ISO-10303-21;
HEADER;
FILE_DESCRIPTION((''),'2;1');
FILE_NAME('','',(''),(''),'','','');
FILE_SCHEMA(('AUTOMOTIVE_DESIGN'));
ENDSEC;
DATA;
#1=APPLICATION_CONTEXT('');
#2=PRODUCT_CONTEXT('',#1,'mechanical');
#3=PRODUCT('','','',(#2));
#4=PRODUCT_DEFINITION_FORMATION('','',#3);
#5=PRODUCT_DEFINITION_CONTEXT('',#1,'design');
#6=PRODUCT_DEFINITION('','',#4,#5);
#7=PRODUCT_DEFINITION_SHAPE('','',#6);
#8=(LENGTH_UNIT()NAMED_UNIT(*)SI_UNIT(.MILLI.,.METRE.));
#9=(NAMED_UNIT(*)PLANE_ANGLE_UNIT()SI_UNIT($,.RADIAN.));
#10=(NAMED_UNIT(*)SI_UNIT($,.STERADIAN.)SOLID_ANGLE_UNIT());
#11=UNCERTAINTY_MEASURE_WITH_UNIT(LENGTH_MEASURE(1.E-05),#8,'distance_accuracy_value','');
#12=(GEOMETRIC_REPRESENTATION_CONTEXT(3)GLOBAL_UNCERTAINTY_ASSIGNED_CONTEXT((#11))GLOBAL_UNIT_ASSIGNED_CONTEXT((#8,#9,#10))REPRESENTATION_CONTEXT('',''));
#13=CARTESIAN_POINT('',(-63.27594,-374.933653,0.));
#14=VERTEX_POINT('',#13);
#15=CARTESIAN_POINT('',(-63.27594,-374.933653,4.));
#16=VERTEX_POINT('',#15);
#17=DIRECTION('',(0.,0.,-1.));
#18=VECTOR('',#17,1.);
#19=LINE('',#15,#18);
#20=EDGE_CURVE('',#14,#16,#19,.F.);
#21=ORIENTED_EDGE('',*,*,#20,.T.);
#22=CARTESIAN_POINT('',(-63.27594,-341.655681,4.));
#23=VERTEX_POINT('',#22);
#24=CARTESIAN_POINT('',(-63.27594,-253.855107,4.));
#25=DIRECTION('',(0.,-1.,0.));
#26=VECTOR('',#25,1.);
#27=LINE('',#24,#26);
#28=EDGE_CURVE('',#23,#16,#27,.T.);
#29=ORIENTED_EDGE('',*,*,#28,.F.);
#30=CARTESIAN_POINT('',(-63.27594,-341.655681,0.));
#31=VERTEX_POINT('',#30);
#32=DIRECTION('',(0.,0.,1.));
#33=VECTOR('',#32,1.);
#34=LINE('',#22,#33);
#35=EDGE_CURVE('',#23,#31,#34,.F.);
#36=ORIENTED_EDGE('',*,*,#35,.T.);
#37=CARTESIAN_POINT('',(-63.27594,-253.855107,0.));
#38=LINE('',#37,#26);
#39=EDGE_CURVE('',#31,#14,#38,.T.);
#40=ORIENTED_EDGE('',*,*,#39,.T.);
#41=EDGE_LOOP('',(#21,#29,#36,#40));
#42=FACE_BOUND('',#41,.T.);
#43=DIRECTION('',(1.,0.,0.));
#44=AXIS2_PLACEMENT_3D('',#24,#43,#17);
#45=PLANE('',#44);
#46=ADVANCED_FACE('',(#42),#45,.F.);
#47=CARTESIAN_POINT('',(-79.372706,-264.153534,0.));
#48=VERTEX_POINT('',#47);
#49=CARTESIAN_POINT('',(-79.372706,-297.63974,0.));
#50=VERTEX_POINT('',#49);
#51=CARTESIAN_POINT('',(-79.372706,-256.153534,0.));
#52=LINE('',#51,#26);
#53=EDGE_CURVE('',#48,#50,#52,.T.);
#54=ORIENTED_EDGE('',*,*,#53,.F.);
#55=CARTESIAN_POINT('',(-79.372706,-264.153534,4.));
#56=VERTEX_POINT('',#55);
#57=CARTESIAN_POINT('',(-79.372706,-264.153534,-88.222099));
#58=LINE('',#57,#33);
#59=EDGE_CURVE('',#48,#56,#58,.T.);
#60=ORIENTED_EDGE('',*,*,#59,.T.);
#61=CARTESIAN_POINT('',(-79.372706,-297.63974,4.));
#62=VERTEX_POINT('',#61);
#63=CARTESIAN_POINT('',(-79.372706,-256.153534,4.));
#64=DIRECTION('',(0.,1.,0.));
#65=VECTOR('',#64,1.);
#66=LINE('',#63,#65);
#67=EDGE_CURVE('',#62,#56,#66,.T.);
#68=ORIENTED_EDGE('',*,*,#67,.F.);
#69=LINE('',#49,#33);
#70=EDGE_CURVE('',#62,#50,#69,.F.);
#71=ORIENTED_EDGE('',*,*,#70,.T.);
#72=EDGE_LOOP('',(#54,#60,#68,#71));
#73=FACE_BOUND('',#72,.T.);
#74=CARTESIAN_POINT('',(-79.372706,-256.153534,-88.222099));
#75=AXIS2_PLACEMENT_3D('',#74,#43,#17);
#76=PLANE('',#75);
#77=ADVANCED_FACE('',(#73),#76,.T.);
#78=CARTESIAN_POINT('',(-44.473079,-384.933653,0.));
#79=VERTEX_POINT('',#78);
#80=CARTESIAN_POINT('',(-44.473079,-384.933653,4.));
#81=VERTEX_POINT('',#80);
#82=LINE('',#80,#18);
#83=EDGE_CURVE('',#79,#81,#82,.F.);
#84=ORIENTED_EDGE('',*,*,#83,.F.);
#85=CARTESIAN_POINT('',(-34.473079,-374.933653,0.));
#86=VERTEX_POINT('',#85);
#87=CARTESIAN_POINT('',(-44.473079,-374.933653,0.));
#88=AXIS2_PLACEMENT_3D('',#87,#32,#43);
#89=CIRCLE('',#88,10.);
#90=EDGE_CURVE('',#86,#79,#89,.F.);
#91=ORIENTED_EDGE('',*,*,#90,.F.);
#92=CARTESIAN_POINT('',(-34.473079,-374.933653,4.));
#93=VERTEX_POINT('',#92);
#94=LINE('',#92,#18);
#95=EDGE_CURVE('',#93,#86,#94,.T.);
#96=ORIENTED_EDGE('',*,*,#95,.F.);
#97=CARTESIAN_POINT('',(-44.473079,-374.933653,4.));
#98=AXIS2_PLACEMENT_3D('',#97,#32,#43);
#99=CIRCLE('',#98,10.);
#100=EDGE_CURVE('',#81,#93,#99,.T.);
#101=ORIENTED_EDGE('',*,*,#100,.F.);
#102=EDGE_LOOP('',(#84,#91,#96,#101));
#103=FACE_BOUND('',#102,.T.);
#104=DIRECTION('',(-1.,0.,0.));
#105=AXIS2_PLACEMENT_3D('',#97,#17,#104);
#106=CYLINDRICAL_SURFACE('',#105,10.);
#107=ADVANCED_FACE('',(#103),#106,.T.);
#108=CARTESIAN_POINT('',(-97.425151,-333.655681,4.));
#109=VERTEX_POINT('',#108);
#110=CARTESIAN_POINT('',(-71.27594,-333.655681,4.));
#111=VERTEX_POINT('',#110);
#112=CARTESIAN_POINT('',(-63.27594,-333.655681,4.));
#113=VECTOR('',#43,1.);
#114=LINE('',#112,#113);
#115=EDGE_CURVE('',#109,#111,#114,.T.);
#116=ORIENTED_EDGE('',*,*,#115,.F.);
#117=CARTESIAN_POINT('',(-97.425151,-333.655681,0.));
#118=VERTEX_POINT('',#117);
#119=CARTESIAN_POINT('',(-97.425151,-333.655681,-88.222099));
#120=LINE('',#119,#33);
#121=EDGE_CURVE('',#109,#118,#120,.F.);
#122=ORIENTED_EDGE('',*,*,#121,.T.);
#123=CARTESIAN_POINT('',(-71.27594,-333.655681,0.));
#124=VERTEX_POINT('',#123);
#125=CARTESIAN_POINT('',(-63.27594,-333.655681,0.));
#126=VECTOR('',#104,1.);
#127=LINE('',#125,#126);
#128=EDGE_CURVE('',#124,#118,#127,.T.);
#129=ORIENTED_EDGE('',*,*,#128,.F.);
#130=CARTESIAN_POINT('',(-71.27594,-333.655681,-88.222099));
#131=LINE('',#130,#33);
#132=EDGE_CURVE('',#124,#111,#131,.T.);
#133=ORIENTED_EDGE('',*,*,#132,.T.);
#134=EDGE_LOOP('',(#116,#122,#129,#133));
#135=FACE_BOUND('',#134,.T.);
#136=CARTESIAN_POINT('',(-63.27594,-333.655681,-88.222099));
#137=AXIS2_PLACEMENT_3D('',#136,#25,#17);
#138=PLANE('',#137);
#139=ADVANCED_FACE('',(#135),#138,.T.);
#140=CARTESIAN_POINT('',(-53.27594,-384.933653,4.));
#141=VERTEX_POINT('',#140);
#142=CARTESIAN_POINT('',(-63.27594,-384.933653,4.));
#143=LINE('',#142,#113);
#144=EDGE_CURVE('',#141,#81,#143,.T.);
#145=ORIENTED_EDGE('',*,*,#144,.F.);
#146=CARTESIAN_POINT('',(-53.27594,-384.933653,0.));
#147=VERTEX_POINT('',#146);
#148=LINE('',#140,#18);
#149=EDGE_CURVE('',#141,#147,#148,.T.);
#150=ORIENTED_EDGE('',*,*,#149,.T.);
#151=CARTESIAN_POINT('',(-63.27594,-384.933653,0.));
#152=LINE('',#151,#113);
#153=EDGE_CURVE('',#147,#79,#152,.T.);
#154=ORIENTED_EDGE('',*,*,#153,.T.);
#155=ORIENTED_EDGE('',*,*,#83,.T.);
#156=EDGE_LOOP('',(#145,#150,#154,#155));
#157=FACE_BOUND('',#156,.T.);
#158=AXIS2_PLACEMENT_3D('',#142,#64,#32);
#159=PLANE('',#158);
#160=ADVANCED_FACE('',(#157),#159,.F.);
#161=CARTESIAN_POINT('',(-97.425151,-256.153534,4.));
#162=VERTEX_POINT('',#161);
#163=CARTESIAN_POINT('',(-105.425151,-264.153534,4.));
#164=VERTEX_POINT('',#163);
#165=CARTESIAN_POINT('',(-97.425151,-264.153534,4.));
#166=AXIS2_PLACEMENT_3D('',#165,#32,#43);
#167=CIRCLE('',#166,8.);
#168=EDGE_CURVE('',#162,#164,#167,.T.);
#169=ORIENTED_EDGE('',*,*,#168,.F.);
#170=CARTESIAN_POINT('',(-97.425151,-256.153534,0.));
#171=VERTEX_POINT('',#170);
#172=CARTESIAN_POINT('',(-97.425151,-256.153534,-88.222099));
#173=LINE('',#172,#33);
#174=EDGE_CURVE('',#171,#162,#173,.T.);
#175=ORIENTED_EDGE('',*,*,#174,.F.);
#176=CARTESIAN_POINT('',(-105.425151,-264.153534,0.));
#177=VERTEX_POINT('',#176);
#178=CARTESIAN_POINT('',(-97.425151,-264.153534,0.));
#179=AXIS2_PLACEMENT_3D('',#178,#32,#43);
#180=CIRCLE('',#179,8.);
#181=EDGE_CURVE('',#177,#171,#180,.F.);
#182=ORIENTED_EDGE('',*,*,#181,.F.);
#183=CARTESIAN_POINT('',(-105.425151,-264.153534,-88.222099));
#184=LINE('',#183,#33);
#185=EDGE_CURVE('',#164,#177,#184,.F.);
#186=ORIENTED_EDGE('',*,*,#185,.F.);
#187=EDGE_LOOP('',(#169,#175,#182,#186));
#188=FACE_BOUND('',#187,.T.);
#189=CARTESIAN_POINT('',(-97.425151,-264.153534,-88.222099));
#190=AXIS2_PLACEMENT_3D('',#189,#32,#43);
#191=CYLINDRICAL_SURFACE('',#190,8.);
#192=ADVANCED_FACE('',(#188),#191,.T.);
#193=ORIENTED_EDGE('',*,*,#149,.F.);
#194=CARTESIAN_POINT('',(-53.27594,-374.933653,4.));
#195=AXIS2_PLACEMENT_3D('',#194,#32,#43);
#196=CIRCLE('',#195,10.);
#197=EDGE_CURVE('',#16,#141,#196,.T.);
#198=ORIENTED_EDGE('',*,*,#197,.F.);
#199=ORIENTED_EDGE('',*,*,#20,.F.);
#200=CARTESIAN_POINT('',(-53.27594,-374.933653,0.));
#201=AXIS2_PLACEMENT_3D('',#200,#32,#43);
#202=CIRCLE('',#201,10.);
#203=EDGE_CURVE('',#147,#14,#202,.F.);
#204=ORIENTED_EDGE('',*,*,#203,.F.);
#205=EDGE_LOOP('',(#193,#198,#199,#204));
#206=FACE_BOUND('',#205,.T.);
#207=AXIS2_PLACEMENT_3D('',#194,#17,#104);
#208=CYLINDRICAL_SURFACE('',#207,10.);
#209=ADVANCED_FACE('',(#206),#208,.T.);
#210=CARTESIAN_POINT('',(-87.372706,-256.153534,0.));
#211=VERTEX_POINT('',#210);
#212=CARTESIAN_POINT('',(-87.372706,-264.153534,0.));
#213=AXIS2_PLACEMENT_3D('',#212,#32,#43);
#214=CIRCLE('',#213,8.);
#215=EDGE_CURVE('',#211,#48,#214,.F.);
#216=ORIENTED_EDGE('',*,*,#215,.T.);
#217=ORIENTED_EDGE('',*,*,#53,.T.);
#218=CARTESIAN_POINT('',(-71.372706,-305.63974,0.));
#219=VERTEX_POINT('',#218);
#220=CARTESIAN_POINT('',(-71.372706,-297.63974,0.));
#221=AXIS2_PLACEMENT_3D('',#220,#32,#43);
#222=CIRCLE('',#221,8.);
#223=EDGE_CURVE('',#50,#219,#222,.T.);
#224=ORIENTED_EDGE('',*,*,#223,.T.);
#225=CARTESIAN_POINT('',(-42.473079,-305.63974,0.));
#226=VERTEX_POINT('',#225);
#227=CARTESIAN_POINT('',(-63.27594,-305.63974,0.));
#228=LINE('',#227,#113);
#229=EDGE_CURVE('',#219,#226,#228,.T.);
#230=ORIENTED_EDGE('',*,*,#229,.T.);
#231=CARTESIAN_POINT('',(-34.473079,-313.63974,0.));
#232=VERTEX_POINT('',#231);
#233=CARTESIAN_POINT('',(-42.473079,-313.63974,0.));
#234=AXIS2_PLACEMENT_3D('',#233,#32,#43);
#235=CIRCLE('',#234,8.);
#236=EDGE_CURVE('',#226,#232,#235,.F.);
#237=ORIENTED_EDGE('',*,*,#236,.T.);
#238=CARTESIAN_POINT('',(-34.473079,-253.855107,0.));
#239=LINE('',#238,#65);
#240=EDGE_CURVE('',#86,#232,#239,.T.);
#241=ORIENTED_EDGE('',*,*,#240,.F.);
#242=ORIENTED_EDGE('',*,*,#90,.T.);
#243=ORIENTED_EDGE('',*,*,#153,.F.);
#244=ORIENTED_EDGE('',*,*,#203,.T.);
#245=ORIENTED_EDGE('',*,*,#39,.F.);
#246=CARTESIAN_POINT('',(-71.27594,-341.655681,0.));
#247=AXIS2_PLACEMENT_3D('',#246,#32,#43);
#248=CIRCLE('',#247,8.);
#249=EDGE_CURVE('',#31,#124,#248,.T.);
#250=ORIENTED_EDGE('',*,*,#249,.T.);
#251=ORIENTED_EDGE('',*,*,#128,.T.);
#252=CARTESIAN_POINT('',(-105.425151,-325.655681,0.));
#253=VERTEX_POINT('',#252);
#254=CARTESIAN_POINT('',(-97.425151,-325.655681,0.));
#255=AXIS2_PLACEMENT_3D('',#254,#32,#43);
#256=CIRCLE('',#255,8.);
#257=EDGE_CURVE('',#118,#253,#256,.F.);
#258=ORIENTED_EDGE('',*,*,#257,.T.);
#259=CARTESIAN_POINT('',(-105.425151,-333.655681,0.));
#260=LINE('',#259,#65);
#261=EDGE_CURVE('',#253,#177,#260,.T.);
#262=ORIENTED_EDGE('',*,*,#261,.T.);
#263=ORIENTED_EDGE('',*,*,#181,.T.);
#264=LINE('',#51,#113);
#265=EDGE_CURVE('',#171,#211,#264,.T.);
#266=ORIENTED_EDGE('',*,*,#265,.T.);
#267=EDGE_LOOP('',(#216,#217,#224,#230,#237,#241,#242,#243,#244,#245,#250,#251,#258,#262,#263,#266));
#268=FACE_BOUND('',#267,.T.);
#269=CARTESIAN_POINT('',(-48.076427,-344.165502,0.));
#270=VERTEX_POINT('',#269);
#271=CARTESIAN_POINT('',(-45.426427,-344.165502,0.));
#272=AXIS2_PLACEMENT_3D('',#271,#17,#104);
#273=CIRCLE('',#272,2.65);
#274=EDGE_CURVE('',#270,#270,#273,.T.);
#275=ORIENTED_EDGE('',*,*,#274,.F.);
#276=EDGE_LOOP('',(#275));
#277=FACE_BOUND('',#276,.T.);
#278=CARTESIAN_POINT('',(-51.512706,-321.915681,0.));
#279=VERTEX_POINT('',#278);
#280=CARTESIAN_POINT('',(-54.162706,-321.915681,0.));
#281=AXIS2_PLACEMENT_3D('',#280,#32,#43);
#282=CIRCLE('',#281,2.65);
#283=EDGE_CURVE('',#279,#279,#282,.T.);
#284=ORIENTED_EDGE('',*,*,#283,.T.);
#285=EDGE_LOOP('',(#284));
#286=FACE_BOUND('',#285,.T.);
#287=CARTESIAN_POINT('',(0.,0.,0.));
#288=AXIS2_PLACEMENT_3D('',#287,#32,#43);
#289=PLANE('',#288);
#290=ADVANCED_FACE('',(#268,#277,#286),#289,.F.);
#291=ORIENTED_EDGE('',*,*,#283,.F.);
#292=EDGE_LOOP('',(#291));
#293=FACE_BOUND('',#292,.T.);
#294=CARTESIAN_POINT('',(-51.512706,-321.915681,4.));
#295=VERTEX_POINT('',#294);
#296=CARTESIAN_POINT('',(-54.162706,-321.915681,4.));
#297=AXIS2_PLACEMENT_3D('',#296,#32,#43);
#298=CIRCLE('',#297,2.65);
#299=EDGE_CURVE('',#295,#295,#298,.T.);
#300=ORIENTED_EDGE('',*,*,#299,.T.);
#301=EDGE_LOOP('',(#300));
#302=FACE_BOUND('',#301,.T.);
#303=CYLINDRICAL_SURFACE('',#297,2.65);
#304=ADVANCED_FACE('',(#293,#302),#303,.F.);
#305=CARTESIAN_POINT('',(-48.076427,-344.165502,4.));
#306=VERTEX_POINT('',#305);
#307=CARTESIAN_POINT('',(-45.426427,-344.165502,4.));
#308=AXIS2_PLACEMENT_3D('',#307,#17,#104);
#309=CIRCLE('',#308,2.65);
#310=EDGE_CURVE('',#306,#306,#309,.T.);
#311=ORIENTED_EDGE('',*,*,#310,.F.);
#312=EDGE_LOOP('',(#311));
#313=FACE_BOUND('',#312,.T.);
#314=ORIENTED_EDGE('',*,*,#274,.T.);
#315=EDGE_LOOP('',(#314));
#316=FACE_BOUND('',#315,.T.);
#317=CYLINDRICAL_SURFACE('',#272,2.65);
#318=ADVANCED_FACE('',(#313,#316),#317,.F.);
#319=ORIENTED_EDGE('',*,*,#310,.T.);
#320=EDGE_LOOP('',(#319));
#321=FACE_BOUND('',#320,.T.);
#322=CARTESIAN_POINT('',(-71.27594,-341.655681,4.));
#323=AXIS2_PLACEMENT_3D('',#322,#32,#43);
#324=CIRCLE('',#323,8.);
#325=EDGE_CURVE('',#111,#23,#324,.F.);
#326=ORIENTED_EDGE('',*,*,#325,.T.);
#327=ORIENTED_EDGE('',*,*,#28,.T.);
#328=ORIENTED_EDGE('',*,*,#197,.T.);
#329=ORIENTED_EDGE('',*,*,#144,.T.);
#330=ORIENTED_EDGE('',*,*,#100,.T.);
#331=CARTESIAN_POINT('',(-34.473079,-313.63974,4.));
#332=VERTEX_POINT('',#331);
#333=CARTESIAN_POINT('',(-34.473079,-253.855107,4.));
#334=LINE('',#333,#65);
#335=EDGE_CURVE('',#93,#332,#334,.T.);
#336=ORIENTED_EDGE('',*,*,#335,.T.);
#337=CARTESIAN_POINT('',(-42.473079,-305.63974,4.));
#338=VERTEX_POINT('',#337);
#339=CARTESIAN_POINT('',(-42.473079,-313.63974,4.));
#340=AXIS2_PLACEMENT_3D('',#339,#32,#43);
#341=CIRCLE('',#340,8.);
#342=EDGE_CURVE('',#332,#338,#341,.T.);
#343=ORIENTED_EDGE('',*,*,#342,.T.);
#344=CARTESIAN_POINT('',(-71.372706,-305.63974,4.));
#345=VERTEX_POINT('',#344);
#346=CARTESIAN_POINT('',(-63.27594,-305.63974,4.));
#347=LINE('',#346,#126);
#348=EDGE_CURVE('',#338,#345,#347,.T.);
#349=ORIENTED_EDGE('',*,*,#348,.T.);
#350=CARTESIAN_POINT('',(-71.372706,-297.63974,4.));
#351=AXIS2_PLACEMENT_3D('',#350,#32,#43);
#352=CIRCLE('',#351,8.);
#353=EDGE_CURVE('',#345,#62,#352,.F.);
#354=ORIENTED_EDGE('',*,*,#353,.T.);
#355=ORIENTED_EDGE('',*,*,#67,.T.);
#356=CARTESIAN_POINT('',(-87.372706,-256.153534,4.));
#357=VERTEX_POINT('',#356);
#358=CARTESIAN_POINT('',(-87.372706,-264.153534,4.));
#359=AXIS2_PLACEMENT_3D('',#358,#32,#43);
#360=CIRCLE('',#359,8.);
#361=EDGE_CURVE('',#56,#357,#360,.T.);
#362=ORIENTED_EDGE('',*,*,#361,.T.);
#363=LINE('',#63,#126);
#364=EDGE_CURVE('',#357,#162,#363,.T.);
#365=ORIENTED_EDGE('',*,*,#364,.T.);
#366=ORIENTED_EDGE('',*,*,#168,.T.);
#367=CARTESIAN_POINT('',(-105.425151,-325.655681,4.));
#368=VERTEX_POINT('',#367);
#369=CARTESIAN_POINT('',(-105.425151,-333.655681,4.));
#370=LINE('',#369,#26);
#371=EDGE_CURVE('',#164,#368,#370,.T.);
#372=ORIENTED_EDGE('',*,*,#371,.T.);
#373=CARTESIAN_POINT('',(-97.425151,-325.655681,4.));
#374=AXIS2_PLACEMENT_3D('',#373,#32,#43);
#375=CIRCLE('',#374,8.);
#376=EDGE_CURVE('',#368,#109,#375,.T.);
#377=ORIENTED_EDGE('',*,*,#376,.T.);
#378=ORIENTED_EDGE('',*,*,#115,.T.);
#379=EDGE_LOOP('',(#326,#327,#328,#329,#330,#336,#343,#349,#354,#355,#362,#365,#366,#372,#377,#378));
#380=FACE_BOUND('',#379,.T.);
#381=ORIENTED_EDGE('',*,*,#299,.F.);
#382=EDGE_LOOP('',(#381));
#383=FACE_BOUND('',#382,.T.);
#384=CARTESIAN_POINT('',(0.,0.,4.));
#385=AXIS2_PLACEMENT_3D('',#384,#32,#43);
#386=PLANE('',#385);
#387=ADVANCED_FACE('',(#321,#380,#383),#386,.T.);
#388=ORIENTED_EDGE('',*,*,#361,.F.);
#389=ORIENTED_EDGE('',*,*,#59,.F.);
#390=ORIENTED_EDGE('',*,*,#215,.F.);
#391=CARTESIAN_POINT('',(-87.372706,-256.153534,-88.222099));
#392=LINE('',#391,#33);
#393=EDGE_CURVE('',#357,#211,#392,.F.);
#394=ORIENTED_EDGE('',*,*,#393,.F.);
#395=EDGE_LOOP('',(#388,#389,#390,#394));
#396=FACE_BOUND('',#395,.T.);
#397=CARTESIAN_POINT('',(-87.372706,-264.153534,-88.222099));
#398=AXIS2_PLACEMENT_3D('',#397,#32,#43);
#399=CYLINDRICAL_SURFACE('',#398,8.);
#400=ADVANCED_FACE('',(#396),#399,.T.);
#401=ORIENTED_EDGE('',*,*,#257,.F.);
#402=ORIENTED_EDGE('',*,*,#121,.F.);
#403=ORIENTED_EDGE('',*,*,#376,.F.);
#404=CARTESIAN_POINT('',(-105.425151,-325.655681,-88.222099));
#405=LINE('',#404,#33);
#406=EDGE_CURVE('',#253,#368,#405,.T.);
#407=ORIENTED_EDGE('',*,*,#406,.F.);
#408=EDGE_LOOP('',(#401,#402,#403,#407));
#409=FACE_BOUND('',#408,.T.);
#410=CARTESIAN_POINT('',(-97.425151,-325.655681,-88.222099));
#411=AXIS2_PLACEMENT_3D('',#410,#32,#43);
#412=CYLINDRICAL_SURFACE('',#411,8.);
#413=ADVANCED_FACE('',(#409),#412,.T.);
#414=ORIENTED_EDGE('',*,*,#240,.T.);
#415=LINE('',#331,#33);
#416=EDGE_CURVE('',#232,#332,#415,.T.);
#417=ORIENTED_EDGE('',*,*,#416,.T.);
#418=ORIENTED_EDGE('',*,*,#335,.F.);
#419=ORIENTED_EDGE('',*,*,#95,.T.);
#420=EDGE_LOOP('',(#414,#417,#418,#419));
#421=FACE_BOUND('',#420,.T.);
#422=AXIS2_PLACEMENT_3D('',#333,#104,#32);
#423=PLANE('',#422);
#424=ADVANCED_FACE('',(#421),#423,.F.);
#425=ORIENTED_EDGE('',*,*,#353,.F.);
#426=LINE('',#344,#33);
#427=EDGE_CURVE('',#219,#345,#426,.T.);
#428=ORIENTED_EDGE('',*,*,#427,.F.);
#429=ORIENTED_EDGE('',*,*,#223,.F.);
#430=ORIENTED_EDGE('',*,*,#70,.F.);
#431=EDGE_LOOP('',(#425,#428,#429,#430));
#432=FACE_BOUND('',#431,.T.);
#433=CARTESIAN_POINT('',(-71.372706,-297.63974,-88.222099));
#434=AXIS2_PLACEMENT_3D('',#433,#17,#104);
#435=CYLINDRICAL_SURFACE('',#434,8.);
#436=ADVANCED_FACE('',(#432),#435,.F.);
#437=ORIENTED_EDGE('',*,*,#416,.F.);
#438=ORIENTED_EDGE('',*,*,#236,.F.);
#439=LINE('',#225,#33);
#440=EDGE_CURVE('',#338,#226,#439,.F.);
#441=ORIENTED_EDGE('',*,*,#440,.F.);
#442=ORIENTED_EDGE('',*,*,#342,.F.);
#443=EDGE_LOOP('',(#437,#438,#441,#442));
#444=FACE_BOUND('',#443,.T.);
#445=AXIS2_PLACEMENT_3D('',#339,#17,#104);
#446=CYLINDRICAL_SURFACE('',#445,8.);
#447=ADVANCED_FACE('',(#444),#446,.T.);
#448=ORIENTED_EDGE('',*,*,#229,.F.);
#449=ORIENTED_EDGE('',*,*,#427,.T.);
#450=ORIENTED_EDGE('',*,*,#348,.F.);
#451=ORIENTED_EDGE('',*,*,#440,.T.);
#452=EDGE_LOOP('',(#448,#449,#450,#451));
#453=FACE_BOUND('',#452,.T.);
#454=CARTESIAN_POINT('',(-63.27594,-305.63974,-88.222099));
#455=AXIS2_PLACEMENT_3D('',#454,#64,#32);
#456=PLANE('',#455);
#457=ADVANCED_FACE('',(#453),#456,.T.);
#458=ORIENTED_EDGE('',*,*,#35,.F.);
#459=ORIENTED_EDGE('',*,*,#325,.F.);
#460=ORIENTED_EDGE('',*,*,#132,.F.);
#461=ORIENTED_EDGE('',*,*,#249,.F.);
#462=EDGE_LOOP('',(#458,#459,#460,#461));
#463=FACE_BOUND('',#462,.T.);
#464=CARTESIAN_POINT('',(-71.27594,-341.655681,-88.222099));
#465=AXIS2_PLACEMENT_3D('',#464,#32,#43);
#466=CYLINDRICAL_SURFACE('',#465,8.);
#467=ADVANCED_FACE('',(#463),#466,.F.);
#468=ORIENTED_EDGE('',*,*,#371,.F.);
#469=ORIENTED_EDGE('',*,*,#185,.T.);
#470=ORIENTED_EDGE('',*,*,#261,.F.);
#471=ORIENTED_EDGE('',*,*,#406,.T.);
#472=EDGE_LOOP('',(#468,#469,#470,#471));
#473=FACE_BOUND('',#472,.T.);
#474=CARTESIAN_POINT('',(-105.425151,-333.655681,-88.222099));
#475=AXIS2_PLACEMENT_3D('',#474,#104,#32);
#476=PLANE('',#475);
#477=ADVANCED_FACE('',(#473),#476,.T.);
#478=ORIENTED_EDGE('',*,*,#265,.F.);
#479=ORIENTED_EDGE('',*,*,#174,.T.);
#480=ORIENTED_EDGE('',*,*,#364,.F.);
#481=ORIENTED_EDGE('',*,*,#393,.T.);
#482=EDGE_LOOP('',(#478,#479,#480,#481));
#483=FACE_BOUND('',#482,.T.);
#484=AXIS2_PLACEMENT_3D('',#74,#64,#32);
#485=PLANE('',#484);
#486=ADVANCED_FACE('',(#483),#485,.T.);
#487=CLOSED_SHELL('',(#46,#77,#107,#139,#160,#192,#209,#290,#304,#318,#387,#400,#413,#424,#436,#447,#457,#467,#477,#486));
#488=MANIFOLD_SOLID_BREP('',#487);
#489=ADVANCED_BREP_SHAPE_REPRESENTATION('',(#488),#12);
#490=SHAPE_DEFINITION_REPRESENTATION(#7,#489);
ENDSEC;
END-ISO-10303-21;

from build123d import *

# Parameters (mm, degrees)
SKETCH1_W            = 28.802861634
SKETCH1_H            = 131.078546172
BOSS_EXTRUDE1_DEPTH  = 4
M5_CLEARANCE_HOLE1_D = 5.3
FILLET1_R            = 10
M5_CLEARANCE_HOLE2_D = 5.3
BOSS_EXTRUDE2_DEPTH  = 4
SKETCH8_W            = 47.461989215
SKETCH8_H            = 54.002733852
CUT_EXTRUDE1_DEPTH   = 14.4
FILLET2_R            = 8


with BuildPart() as part:
    # Sketch1 → Boss-Extrude1 (new body)
    with BuildSketch(Plane.XY):
        with Locations((-48.87450938, -319.394379884)):
            Rectangle(SKETCH1_W, SKETCH1_H)
    extrude(amount=BOSS_EXTRUDE1_DEPTH)

    # M5 Clearance Hole1 (through all)
    with Locations(Plane.XY.offset(4)):
        with Locations((-54.16270611, -321.915681156), (-54.16270611, -293.415681156)):
            Hole(M5_CLEARANCE_HOLE1_D / 2)

    # Fillet1
    fillet1_edges = [part.edges().sort_by_distance(p)[0] for p in [
        (-63.275940197, -253.855106798, 2),
        (-34.473078563, -253.855106798, 2),
        (-34.473078563, -384.93365297, 2),
        (-63.275940197, -384.93365297, 2),
    ]]
    fillet(fillet1_edges, radius=FILLET1_R)

    # M5 Clearance Hole2 (through all)
    with Locations(Plane(origin=(0, 0, 0), x_dir=(-1, 0, 0), z_dir=(0, 0, -1))):
        with Locations((45.426427008, -344.165502047)):
            Hole(M5_CLEARANCE_HOLE2_D / 2)

    # Sketch7 → Boss-Extrude2 (add)
    with BuildSketch(Plane.XY.offset(4)):
        Polygon((-63.275940197, -333.655681156), (-105.425150803, -333.655681156), (-105.425150803, -256.153534459), (-79.372706111, -256.153534459), (-79.372706111, -305.639740344), (-63.275940197, -305.639740344), align=None)
    extrude(amount=-BOSS_EXTRUDE2_DEPTH)

    # Sketch8 → Cut-Extrude1 (cut)
    with BuildSketch(Plane(origin=(0, 0, 0), x_dir=(-1, 0, 0), z_dir=(0, 0, -1))):
        with Locations((47.593328547, -278.638373418)):
            Rectangle(SKETCH8_W, SKETCH8_H)
    extrude(amount=-CUT_EXTRUDE1_DEPTH, mode=Mode.SUBTRACT)

    # Fillet2
    fillet2_edges = [part.edges().sort_by_distance(p)[0] for p in [
        (-63.275940197, -333.655681156, 2),
        (-105.425150803, -333.655681156, 2),
        (-105.425150803, -256.153534459, 2),
        (-79.372706111, -256.153534459, 2),
        (-79.372706111, -305.639740344, 2),
        (-34.473078563, -305.639740344, 2),
    ]]
    fillet(fillet2_edges, radius=FILLET2_R)


solid = part.part
